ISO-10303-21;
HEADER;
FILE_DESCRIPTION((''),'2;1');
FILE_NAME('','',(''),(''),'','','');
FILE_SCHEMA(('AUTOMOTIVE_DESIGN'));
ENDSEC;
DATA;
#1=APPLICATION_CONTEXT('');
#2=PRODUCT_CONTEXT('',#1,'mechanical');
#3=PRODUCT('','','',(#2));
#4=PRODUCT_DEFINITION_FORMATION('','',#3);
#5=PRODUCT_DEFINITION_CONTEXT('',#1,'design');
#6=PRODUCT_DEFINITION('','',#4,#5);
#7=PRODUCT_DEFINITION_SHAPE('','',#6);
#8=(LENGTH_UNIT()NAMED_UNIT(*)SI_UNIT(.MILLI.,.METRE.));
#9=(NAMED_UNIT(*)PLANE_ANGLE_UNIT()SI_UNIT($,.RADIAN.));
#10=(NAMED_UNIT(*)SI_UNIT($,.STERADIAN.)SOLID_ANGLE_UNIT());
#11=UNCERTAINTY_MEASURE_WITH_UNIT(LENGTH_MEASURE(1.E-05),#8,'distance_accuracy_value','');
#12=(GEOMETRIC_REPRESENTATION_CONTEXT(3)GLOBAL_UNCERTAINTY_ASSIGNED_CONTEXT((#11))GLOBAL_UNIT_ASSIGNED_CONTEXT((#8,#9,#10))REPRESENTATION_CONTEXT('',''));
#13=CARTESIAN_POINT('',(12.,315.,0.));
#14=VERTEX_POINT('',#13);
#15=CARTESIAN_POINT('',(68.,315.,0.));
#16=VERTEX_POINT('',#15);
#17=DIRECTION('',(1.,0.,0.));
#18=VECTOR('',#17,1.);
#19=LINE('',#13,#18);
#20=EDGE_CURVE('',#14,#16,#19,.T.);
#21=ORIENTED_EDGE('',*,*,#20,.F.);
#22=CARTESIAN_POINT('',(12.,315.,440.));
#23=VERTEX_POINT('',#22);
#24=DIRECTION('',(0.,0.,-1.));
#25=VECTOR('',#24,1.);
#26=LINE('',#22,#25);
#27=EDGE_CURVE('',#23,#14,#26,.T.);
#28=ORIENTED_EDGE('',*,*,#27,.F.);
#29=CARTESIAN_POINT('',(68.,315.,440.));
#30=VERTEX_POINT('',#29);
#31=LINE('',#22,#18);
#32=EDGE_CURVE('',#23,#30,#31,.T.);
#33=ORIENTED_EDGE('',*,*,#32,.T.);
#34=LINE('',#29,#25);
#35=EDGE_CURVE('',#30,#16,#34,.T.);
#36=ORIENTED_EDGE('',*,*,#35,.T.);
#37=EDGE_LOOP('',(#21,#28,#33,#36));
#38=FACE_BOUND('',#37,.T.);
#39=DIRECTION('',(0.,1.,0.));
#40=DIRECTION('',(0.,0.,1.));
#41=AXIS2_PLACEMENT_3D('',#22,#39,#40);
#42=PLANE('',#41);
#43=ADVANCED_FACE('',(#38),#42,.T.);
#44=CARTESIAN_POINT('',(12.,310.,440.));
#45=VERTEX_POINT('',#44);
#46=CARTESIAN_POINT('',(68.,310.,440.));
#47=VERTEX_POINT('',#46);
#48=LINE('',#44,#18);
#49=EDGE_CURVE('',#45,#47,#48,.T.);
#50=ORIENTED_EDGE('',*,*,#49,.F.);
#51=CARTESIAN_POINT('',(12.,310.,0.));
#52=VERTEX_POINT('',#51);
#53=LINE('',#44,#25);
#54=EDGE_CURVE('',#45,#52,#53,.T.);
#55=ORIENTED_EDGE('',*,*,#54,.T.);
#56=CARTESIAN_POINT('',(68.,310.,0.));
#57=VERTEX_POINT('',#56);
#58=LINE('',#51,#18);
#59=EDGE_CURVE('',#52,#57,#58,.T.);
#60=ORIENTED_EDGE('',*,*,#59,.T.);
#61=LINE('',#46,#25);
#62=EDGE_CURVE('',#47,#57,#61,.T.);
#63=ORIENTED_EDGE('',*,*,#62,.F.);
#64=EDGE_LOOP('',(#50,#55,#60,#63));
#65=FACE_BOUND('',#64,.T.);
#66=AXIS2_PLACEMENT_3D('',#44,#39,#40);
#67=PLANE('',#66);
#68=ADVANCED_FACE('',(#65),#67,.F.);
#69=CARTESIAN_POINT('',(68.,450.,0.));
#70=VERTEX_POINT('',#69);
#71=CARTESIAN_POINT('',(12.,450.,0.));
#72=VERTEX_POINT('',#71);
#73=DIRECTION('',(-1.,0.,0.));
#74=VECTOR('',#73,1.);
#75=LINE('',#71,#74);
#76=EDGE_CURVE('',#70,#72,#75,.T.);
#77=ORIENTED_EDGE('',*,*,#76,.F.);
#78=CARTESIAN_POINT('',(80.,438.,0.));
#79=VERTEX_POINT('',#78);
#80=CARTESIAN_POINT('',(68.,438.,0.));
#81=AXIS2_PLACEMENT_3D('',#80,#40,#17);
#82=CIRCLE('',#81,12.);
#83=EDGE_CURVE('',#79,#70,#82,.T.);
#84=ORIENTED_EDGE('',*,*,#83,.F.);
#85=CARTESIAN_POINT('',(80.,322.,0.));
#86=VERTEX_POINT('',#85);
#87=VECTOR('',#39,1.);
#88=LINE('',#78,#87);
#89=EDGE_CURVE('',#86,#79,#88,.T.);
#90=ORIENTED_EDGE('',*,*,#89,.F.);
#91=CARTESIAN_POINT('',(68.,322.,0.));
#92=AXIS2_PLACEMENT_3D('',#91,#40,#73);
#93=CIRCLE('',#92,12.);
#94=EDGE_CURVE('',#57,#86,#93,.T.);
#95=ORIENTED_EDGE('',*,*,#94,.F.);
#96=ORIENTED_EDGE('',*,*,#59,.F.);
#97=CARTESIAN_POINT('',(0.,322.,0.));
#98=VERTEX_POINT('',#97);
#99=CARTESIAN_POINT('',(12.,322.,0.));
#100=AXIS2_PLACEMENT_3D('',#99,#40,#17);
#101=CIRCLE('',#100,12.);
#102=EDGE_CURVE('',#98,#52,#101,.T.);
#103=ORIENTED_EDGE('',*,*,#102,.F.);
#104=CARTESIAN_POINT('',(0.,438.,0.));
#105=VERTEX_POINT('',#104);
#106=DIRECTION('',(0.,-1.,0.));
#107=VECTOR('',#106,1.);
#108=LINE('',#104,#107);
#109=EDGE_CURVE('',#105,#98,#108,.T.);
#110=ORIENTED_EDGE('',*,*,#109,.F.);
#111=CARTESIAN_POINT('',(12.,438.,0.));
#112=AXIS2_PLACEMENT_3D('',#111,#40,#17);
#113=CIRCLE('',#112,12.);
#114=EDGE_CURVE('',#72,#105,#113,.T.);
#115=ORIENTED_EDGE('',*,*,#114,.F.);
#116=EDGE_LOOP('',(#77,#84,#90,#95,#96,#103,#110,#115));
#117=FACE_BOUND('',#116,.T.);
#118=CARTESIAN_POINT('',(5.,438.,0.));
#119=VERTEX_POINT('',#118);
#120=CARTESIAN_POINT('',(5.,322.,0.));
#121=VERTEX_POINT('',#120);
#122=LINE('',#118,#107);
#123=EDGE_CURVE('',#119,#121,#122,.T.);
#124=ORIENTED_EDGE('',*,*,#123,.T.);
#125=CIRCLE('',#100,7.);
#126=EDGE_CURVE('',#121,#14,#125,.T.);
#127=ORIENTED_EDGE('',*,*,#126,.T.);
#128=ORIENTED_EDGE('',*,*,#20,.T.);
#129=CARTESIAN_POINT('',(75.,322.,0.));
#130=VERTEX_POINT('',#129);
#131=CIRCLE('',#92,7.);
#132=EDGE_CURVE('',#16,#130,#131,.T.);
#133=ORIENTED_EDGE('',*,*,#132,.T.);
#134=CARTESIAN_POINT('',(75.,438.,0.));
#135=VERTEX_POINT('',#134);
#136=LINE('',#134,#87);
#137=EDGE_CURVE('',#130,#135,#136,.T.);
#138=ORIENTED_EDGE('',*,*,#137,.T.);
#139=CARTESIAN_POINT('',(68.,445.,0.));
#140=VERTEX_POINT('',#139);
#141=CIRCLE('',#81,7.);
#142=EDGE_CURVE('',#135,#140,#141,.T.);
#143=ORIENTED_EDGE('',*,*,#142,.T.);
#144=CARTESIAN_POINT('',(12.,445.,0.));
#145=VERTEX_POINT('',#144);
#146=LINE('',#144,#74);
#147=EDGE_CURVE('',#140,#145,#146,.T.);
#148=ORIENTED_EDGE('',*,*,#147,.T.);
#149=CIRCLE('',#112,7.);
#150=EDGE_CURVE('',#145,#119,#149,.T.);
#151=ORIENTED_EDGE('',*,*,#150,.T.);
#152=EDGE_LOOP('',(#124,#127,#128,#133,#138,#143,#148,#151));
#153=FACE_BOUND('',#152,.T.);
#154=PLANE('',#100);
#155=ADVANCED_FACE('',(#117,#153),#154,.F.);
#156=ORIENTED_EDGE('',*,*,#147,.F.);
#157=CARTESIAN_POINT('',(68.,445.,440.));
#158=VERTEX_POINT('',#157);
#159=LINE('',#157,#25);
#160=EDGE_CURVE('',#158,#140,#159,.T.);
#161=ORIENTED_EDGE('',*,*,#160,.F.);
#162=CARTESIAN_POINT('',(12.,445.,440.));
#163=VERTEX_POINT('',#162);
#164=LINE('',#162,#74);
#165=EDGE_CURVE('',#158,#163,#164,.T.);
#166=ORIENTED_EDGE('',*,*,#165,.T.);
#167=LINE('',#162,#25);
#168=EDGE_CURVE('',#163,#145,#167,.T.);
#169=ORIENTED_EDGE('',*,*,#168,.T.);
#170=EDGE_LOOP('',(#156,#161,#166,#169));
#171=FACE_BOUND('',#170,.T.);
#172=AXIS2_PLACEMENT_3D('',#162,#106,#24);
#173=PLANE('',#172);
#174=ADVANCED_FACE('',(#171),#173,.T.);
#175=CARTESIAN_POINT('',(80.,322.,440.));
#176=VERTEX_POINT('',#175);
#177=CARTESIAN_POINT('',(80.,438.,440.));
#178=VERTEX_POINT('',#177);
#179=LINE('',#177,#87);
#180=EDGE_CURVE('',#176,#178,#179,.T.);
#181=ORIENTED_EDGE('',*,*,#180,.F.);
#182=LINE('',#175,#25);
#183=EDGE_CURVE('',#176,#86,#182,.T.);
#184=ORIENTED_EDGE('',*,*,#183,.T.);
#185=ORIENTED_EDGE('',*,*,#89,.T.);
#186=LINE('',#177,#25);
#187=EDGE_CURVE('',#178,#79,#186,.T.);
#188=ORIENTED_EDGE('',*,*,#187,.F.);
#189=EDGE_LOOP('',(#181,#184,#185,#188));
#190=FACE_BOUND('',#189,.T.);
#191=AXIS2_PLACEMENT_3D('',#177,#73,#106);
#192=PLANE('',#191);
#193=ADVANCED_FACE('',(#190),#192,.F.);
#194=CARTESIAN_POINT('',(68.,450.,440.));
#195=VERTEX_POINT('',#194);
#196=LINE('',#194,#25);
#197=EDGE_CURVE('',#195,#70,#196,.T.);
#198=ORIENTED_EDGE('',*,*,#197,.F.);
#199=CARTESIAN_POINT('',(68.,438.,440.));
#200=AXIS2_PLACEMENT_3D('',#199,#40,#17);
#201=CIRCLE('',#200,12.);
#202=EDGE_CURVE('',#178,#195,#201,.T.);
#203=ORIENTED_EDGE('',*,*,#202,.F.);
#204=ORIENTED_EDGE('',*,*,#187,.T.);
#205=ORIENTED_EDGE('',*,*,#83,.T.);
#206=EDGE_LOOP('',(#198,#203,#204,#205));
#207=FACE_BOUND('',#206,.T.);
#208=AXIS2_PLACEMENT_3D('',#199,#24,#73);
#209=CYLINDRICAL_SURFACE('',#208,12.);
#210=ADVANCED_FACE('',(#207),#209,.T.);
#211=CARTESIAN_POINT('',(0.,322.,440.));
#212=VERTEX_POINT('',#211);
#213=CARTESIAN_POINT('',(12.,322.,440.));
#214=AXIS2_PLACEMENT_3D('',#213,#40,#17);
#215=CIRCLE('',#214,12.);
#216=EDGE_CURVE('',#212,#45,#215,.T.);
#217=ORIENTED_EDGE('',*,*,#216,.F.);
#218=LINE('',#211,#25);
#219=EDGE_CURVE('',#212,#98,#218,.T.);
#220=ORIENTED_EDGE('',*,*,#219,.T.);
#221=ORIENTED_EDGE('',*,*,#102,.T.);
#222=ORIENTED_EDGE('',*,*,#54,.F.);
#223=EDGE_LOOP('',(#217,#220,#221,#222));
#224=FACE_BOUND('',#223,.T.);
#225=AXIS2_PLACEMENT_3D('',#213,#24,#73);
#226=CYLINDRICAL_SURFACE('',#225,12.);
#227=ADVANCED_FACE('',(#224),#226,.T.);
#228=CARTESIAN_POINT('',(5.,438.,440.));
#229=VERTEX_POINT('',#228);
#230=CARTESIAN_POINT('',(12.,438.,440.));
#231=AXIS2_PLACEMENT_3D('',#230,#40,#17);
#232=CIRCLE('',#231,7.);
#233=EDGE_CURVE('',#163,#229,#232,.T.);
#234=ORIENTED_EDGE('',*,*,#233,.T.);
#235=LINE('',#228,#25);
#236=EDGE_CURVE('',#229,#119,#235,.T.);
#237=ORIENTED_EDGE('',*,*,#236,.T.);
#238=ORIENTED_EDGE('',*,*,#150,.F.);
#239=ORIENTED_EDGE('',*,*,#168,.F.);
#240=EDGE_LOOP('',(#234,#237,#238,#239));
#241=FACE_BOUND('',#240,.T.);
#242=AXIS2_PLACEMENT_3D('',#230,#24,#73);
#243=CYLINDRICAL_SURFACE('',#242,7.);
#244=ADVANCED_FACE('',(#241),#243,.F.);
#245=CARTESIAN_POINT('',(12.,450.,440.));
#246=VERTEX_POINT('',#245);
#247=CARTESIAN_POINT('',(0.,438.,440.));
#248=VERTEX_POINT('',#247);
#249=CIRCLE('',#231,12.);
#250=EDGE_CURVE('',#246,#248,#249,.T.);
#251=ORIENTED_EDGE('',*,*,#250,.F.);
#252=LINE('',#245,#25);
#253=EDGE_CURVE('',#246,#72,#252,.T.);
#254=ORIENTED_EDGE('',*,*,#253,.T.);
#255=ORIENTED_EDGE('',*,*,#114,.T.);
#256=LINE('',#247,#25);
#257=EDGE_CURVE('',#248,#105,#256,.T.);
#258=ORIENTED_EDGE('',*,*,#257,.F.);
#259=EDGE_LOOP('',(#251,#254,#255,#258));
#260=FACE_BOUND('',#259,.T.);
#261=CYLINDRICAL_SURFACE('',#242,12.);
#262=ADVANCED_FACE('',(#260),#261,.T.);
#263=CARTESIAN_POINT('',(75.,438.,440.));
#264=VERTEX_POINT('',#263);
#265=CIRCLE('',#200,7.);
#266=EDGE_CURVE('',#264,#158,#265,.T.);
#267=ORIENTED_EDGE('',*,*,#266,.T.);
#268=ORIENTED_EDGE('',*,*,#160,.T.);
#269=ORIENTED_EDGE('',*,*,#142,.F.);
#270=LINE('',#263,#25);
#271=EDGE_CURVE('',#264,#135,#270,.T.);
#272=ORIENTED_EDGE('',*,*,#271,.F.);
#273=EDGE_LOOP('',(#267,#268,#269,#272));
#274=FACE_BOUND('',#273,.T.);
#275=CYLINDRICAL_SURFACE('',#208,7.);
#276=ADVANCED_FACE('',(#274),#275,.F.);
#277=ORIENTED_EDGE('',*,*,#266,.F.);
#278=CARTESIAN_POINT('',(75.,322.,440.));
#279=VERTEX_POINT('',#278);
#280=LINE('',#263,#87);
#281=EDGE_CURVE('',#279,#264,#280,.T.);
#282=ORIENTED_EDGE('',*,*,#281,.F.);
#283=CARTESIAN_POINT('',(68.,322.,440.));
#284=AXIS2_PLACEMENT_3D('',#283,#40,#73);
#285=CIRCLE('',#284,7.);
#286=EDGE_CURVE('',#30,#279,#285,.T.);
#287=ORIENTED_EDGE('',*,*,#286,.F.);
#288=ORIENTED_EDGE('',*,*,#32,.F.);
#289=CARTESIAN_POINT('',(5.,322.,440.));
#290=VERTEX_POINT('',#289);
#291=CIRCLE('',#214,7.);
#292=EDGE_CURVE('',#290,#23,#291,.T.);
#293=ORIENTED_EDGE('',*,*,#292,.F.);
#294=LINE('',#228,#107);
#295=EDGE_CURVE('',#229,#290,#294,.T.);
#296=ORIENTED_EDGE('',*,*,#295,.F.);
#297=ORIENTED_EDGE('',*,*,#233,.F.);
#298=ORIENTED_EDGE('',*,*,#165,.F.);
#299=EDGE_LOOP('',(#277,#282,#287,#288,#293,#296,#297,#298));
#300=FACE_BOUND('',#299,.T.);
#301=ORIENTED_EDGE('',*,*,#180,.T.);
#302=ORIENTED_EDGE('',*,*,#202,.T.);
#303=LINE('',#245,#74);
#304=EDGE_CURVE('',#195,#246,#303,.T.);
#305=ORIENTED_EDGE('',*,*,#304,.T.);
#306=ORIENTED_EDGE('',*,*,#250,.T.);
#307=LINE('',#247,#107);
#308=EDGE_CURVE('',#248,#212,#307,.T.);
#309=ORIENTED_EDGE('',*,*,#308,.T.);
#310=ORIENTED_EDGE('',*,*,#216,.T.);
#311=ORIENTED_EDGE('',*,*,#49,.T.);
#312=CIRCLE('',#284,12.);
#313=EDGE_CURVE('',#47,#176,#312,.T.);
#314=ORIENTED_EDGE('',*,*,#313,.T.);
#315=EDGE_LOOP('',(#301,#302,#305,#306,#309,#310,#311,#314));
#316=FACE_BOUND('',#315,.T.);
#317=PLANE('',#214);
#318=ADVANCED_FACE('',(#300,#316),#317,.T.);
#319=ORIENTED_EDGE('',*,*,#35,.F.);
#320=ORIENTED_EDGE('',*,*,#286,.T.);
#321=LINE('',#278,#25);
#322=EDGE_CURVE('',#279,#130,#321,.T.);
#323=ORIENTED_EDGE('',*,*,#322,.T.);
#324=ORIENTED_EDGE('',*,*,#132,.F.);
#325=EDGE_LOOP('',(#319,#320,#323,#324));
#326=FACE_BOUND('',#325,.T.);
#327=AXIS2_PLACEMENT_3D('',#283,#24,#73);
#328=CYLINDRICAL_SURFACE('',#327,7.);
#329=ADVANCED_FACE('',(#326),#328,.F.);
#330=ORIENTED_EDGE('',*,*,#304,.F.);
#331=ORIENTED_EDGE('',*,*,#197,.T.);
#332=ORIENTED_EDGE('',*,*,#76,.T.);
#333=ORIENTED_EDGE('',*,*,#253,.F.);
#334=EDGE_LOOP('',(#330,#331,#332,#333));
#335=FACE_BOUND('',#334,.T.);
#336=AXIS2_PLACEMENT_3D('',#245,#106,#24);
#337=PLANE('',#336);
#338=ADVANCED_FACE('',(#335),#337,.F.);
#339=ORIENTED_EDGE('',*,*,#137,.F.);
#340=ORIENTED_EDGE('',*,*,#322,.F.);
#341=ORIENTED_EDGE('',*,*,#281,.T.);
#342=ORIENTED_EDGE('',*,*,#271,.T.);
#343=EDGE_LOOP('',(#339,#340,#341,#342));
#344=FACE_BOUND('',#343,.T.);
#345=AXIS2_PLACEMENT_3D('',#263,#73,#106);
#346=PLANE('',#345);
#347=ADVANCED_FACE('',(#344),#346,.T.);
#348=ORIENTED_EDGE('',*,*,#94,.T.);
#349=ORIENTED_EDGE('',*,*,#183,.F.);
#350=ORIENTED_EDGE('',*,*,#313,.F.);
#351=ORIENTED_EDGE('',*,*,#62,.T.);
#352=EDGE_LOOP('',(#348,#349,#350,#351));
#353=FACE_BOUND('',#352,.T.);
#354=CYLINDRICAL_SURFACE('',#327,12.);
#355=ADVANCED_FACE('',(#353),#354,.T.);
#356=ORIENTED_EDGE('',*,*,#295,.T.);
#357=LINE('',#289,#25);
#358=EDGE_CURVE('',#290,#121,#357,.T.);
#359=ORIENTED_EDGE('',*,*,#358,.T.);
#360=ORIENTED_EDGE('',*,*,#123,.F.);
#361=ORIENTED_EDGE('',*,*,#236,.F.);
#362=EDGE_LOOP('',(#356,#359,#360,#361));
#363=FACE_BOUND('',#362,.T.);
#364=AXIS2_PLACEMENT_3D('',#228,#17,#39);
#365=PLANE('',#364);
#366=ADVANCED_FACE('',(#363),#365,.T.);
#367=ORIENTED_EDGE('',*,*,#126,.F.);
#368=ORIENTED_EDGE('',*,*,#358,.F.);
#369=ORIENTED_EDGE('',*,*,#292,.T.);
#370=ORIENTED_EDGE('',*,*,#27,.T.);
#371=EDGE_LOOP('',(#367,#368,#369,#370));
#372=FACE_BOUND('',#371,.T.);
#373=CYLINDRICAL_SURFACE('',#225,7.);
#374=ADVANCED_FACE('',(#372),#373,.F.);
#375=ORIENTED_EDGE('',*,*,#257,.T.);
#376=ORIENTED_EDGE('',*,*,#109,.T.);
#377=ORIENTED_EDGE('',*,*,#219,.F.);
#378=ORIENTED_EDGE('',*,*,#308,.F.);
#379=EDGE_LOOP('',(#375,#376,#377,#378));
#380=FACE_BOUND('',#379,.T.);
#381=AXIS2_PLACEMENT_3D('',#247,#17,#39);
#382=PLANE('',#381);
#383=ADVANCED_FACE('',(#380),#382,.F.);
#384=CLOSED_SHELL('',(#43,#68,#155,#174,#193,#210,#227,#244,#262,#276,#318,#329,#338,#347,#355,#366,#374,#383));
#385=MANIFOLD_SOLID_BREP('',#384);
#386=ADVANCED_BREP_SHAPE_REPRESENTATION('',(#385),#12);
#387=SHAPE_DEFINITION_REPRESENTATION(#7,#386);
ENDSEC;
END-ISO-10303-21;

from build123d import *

# Parameters (mm, degrees)
DODANIE_WYCI_GNI_CIE1_DEPTH = 440


with BuildPart() as part:
    # Szkic2 → Dodanie-wyciągnięcie1 (new body)
    with BuildSketch(Plane.XY):
        with BuildLine():
            Line((12, 450), (68, 450))
            ThreePointArc((68, 450), (76.485281374, 446.485281374), (80, 438))
            Line((80, 438), (80, 322))
            ThreePointArc((80, 322), (76.485281374, 313.514718626), (68, 310))
            Line((68, 310), (12, 310))
            ThreePointArc((12, 310), (3.514718626, 313.514718626), (0, 322))
            Line((0, 322), (0, 438))
            ThreePointArc((0, 438), (3.514718626, 446.485281374), (12, 450))
        make_face()
        with BuildLine():
            Line((12, 445), (68, 445))
            ThreePointArc((68, 445), (72.949747468, 442.949747468), (75, 438))
            Line((75, 438), (75, 322))
            ThreePointArc((75, 322), (72.949747468, 317.050252532), (68, 315))
            Line((68, 315), (12, 315))
            ThreePointArc((12, 315), (7.050252532, 317.050252532), (5, 322))
            Line((5, 322), (5, 438))
            ThreePointArc((5, 438), (7.050252532, 442.949747468), (12, 445))
        make_face(mode=Mode.SUBTRACT)
    extrude(amount=DODANIE_WYCI_GNI_CIE1_DEPTH)


solid = part.part
